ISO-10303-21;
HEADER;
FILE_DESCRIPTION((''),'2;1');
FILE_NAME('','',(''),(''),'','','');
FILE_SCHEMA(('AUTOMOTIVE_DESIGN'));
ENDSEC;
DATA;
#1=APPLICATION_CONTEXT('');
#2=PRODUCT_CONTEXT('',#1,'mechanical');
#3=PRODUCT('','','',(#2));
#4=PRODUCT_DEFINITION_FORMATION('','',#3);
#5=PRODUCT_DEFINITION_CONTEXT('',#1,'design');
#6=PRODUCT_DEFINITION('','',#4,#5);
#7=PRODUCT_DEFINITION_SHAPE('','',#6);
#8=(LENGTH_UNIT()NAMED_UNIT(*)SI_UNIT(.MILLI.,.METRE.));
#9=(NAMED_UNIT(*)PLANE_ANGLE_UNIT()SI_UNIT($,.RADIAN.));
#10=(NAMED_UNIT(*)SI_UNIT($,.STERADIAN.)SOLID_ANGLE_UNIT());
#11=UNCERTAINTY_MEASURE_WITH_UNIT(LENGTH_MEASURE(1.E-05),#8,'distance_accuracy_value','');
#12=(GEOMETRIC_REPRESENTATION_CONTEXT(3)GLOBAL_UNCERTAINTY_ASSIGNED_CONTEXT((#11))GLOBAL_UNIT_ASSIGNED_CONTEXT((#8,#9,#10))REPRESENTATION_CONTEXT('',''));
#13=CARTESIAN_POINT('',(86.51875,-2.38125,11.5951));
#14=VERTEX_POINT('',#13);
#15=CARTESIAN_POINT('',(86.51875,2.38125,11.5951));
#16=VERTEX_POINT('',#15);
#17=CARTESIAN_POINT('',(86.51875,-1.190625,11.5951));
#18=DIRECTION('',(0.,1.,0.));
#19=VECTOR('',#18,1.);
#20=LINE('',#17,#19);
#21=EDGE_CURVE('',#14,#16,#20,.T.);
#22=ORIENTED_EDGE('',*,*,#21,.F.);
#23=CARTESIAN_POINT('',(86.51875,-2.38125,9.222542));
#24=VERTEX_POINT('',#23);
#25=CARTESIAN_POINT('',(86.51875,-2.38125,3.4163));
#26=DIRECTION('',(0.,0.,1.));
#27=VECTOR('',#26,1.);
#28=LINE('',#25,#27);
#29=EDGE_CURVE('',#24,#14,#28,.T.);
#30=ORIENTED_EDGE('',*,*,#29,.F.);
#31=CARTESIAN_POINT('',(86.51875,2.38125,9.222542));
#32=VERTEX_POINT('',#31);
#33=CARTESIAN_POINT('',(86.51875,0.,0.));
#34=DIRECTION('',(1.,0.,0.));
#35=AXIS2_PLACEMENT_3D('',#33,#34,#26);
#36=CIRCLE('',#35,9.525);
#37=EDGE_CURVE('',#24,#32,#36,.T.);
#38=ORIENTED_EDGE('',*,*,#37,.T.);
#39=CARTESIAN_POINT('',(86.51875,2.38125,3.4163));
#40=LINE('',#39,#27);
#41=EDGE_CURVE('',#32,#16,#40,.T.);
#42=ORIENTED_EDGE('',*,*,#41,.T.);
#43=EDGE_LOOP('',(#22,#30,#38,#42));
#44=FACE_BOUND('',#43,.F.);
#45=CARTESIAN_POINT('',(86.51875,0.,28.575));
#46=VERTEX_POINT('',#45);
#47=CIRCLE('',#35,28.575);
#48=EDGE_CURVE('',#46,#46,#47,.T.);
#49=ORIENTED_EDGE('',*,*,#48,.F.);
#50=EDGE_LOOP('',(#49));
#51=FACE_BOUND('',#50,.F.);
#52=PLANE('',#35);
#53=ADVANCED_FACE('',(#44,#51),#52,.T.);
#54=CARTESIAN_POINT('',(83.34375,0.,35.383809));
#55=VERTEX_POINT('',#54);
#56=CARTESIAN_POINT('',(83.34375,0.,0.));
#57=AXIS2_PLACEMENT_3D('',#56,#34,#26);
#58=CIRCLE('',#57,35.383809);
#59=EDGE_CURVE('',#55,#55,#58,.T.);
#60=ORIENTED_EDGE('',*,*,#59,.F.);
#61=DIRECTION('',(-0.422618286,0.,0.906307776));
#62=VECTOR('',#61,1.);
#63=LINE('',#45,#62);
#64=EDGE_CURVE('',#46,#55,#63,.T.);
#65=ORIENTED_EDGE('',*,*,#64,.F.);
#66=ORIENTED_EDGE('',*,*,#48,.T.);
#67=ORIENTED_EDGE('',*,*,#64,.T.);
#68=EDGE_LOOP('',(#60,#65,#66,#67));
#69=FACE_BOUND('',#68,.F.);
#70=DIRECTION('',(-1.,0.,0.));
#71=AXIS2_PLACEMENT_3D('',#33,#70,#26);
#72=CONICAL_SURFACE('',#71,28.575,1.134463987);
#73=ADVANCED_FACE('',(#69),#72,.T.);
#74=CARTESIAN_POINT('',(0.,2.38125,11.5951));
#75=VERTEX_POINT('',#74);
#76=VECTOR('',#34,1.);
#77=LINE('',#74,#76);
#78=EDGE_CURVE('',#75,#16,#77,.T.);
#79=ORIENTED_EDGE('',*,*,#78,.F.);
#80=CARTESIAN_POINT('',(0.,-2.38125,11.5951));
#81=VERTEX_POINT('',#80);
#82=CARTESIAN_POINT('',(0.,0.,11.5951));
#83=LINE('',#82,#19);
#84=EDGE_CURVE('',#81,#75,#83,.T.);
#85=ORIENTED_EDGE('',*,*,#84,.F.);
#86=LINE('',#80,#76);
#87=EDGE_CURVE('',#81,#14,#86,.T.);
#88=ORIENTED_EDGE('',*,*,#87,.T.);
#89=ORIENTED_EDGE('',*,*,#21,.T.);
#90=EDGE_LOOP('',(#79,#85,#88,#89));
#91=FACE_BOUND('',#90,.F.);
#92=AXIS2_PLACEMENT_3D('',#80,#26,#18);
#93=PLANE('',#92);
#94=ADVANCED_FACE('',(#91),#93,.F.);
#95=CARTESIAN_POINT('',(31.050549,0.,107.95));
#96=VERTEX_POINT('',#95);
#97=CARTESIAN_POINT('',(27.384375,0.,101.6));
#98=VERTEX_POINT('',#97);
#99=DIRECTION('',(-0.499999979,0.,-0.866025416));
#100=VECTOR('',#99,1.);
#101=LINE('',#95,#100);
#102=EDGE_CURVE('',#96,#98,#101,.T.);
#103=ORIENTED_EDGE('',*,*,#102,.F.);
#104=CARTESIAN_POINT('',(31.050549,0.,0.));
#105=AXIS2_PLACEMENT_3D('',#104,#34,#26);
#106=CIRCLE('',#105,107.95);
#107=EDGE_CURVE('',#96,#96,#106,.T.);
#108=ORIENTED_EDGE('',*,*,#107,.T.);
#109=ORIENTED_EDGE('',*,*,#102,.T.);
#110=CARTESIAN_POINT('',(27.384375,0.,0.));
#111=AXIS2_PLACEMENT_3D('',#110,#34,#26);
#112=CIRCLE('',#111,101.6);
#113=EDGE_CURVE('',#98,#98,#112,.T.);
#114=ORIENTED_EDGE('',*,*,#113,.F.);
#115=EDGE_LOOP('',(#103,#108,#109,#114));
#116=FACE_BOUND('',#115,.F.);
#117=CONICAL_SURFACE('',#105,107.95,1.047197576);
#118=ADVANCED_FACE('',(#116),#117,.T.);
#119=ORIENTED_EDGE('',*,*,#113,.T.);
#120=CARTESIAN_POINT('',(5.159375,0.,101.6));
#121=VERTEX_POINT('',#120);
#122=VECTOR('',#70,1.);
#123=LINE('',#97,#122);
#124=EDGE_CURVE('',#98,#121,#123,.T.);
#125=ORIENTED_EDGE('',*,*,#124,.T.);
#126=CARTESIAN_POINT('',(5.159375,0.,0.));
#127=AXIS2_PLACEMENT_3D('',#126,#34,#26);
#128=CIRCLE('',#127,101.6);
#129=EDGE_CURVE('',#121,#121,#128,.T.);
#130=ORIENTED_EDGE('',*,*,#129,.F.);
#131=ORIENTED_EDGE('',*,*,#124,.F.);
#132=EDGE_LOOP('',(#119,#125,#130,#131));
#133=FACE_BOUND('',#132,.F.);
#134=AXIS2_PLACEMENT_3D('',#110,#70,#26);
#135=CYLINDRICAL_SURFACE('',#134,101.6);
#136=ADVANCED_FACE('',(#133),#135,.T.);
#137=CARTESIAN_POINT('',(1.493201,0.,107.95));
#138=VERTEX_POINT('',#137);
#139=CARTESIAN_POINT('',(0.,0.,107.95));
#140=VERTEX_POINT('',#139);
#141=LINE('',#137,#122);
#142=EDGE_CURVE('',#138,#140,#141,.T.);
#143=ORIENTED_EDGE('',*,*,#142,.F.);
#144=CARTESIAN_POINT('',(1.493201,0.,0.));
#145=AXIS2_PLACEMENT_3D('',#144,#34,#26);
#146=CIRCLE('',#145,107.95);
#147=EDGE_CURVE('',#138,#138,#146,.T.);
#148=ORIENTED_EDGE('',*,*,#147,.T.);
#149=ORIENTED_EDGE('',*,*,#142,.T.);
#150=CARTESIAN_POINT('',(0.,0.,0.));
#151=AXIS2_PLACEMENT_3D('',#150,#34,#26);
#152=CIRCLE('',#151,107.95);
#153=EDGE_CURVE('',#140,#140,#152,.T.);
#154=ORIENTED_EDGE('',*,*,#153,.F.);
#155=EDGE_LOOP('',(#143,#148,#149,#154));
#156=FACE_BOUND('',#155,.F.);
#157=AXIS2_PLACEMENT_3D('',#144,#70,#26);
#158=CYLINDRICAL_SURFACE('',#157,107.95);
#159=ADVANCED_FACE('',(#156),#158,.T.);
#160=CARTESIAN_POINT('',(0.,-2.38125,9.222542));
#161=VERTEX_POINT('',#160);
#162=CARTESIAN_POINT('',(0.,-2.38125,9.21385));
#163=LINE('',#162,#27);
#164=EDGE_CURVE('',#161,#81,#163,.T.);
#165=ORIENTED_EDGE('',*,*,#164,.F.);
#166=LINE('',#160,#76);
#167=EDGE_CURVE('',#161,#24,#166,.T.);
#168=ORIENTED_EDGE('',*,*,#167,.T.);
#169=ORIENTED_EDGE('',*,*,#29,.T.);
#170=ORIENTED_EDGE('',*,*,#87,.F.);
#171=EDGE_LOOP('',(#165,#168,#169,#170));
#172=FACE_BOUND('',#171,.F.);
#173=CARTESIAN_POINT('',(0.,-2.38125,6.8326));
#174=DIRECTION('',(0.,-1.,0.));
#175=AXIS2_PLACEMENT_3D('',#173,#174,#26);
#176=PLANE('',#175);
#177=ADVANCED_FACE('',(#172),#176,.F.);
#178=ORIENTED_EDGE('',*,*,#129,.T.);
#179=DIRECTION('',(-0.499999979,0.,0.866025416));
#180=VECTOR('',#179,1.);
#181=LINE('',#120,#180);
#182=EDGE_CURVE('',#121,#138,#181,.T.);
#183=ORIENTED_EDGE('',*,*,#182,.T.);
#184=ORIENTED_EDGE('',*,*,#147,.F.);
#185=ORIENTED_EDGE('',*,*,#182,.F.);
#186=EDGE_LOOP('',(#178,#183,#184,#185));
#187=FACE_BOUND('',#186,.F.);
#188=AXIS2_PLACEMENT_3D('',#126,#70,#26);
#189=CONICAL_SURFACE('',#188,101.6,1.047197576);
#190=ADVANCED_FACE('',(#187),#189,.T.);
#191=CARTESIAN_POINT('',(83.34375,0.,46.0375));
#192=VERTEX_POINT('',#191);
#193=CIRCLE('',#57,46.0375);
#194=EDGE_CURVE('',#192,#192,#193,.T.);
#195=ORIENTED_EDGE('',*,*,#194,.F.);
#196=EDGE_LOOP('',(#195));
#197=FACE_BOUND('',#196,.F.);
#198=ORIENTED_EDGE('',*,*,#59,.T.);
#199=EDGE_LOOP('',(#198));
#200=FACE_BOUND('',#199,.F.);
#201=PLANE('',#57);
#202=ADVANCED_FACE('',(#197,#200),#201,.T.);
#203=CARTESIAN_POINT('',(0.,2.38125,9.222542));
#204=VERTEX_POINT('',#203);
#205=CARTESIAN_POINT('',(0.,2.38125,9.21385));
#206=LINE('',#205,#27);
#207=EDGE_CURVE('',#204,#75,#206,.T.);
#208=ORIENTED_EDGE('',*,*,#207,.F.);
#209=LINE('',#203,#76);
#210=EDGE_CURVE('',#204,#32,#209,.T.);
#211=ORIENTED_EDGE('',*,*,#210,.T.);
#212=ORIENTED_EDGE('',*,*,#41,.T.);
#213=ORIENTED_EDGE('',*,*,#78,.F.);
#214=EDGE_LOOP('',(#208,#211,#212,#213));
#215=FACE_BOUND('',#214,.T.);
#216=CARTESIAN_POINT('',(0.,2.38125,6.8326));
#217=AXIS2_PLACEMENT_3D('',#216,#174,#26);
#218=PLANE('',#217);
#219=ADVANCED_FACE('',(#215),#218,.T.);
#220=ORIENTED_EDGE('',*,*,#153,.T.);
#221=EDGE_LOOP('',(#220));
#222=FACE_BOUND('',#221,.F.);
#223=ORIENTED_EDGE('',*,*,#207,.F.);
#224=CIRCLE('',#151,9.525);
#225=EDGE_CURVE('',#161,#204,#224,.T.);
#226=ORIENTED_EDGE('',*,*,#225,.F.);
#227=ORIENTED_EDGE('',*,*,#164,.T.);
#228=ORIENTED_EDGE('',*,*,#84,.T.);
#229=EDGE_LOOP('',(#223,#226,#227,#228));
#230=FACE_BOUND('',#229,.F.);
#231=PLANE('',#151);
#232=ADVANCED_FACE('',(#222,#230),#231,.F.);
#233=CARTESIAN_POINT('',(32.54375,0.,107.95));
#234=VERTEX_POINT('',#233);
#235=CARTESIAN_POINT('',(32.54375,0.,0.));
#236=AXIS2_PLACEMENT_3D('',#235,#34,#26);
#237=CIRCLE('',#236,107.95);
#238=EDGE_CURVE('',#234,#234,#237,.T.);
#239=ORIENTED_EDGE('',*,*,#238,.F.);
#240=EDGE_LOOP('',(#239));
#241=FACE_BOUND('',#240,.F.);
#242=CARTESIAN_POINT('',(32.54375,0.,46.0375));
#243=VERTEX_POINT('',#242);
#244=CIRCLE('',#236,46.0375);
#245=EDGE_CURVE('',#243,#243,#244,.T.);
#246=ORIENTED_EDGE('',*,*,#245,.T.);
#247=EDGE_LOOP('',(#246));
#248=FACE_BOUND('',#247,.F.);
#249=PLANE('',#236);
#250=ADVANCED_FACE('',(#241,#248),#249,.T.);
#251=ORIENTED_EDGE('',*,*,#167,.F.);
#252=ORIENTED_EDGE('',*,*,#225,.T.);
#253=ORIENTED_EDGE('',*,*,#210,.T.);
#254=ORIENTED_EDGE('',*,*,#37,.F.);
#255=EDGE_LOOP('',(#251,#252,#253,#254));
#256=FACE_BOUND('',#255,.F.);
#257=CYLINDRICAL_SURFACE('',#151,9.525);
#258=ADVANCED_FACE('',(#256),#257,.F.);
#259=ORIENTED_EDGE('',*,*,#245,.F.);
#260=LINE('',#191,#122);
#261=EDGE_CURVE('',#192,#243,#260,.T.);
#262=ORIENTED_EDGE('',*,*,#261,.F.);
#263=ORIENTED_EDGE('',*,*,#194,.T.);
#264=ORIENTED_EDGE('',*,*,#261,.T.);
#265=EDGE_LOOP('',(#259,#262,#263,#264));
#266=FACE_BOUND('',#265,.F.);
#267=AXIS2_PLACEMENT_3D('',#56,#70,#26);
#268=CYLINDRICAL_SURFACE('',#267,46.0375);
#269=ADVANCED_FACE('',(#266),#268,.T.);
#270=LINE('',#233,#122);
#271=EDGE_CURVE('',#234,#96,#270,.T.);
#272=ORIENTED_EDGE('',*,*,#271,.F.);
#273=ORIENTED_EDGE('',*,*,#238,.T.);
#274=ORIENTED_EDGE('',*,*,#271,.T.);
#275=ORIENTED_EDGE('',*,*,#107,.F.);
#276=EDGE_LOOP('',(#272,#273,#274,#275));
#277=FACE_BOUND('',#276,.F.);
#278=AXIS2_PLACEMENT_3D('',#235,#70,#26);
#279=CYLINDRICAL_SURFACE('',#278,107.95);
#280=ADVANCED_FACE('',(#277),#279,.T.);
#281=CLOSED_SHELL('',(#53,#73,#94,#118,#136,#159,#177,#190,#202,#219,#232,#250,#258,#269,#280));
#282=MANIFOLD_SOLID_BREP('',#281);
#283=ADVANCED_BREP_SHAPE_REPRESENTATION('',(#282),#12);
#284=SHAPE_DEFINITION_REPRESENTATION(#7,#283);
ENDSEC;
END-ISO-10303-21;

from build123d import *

# Parameters (mm, degrees)
F2_W     = 4.7625
F2_H     = 4.7625
F3_DEPTH = 86.51975


with BuildPart() as f1:
    # F0 (on Front) → F1 (revolve)
    with BuildSketch(Plane.XZ):
        Polygon((0, 107.95), (0, 9.525), (86.51875, 9.525), (86.51875, 28.575), (83.34375, 35.383809), (83.34375, 46.0375), (32.54375, 46.0375), (32.54375, 107.95), (31.050549, 107.95), (27.384375, 101.6), (5.159375, 101.6), (1.493201, 107.95), align=None)
    revolve(axis=Axis((43.259375, 0, 0), (1, 0, 0)))

    # F2 (on Right) → F3 (cut, through all)
    with BuildSketch(Plane.YZ):
        with Locations((0, 9.21385)):
            Rectangle(F2_W, F2_H)
    extrude(amount=F3_DEPTH, mode=Mode.SUBTRACT)


solid = f1.part
